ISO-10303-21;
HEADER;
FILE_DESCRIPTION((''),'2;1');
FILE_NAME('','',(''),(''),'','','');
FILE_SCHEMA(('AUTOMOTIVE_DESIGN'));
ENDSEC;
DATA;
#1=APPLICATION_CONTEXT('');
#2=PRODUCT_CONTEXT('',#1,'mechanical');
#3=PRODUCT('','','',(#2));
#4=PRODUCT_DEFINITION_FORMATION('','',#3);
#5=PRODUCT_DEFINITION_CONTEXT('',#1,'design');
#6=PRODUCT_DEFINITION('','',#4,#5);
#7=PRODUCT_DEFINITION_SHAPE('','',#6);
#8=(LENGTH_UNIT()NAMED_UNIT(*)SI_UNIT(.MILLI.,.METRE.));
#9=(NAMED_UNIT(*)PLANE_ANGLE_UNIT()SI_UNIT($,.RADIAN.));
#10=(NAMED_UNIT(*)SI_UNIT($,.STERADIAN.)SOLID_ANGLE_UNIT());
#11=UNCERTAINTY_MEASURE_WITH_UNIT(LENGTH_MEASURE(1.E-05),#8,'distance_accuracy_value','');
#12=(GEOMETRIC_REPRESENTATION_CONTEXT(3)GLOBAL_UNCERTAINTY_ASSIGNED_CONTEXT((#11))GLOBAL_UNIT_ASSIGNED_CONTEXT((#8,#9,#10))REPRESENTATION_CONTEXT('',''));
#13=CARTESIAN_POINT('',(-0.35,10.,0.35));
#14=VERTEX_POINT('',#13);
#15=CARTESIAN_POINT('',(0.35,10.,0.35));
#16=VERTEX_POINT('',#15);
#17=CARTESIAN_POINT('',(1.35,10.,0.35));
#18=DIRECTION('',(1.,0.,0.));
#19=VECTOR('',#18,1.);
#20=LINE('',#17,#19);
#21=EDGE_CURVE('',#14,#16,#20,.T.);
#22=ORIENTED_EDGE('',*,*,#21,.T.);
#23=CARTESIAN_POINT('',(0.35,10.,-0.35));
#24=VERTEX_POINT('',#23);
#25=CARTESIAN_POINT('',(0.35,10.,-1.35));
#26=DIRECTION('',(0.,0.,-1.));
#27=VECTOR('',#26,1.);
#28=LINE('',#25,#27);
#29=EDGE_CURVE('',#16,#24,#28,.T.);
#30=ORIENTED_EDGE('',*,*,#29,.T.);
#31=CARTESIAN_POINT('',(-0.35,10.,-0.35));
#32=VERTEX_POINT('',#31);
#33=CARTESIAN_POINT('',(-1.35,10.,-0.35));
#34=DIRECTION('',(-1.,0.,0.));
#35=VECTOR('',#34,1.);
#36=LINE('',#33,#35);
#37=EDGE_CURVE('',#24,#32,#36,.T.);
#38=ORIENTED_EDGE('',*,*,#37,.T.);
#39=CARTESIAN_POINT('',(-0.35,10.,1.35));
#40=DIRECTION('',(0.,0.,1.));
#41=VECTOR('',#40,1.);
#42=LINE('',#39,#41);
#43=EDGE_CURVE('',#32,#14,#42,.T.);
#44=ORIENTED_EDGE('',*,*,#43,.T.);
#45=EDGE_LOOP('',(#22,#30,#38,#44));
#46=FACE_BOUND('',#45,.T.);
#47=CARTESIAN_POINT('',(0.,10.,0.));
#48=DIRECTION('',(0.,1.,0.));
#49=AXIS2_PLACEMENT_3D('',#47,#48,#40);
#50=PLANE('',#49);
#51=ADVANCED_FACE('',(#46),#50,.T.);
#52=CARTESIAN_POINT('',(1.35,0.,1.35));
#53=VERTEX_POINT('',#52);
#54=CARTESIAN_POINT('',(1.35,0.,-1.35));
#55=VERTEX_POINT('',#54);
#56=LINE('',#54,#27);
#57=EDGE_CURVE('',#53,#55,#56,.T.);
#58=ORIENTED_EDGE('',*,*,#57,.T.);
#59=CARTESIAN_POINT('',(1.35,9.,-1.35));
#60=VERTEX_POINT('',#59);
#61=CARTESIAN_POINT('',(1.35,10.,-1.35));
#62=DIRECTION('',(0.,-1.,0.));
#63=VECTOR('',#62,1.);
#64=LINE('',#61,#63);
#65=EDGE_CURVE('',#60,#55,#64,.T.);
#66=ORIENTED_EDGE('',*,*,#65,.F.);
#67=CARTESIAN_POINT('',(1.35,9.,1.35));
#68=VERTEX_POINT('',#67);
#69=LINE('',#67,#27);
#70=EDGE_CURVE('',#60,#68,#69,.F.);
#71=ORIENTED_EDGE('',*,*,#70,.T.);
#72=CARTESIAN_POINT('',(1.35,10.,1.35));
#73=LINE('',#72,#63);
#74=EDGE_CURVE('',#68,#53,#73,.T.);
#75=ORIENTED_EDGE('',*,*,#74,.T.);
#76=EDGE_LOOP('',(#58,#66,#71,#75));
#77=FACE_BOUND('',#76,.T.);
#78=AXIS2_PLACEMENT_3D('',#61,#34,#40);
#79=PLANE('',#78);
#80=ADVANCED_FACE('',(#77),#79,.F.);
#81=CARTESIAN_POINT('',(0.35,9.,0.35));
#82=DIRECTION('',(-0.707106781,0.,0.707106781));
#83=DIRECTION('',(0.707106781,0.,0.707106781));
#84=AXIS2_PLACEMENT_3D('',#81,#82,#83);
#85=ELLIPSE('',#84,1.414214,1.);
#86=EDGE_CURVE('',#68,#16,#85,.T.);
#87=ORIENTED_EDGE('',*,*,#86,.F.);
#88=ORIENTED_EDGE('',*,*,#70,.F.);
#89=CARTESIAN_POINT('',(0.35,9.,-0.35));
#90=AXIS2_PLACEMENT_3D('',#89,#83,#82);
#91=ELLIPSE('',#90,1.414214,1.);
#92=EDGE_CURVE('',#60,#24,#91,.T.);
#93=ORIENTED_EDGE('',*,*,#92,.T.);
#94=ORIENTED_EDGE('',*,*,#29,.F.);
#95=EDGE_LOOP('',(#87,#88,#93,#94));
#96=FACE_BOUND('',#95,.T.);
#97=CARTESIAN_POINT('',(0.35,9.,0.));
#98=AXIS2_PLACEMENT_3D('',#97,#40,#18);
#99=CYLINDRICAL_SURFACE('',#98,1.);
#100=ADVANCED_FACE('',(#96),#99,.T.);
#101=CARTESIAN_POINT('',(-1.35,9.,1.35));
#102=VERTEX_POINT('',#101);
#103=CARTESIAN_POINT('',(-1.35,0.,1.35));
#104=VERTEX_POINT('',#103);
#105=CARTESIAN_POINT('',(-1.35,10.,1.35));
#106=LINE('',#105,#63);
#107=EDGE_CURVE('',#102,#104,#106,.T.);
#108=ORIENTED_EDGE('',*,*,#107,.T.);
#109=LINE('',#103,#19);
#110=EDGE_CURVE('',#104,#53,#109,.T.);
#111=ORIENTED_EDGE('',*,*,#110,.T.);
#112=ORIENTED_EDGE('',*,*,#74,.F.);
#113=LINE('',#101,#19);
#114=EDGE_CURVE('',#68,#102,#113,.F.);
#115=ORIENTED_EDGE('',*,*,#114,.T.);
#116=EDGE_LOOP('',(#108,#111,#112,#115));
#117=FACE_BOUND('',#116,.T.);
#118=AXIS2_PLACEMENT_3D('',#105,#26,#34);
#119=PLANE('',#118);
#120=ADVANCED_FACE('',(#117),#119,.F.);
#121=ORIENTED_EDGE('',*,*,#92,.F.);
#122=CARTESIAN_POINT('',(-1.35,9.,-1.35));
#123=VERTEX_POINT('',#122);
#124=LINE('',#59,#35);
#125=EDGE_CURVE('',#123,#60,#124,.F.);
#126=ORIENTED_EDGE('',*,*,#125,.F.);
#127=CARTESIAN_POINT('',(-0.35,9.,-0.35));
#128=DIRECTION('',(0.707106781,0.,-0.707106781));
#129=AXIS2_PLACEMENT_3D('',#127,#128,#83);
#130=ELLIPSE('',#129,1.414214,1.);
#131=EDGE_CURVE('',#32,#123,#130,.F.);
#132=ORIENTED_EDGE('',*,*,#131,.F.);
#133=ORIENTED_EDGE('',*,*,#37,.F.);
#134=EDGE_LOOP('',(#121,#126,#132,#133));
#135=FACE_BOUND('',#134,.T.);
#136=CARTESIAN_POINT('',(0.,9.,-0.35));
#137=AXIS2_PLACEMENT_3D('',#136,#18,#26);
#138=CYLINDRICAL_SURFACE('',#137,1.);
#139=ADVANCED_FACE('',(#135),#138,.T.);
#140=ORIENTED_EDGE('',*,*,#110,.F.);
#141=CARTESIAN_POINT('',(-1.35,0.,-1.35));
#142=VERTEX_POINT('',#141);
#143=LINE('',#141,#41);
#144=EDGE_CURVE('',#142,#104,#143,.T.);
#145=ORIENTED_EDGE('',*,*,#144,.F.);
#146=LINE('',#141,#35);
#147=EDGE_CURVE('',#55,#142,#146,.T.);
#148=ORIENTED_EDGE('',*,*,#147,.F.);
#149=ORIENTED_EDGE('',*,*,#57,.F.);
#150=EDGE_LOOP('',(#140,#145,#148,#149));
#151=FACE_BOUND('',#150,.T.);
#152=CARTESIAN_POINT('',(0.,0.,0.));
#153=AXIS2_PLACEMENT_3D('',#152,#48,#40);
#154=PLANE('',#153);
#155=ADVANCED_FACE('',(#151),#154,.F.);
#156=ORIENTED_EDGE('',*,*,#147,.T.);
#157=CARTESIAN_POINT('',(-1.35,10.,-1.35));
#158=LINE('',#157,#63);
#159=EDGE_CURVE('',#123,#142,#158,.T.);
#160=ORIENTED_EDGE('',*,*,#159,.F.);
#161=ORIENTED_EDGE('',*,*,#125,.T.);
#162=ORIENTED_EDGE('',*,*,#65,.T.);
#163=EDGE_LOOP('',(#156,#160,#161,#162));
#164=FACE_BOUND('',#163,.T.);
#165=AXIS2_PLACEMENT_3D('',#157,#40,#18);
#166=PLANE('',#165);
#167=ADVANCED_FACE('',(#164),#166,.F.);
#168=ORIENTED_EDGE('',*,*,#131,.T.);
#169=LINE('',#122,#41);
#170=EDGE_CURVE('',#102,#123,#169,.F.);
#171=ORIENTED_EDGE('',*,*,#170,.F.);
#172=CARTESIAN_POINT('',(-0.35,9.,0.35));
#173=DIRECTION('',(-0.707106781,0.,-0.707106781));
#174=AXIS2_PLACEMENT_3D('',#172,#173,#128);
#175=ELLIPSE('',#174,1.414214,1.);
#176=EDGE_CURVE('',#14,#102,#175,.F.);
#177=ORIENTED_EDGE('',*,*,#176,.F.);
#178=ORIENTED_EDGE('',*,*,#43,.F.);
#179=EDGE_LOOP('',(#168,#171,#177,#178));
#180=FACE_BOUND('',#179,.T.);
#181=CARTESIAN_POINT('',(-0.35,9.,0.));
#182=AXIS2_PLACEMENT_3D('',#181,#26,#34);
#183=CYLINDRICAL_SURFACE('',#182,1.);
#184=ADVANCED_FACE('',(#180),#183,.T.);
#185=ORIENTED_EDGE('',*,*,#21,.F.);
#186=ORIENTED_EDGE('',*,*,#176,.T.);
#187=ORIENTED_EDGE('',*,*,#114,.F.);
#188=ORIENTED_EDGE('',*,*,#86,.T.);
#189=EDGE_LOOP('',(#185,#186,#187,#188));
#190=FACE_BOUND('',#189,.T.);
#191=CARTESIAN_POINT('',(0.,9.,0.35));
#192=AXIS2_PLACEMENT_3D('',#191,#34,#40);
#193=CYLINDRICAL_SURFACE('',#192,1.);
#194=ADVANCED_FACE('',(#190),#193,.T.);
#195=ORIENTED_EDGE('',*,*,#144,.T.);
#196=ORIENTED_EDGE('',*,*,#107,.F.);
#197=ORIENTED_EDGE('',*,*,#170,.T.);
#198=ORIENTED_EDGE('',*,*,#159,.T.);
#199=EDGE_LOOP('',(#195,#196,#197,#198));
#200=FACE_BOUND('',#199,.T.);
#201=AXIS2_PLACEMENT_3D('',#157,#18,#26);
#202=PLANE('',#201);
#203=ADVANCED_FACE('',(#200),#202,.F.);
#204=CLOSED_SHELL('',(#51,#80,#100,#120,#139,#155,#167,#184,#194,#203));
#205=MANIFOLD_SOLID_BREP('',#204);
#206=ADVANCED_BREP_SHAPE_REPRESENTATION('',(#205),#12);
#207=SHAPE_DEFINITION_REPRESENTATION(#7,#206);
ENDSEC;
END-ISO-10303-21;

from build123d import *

# Parameters (mm, degrees)
SKETCH1_W           = 2.7
SKETCH1_H           = 2.7
BOSS_EXTRUDE1_DEPTH = 10
FILLET1_R           = 1


with BuildPart() as part:
    # Sketch1 → Boss-Extrude1 (new body)
    with BuildSketch(Plane(origin=(0, 0, 0), x_dir=(1, 0, 0), z_dir=(0, 1, 0))):
        Rectangle(SKETCH1_W, SKETCH1_H)
    extrude(amount=BOSS_EXTRUDE1_DEPTH)

    # Fillet1
    fillet1_edges = [part.edges().sort_by_distance(p)[0] for p in [
        (-1.35, 10, 0),
        (0, 10, 1.35),
        (1.35, 10, 0),
        (0, 10, -1.35),
    ]]
    fillet(fillet1_edges, radius=FILLET1_R)


solid = part.part
